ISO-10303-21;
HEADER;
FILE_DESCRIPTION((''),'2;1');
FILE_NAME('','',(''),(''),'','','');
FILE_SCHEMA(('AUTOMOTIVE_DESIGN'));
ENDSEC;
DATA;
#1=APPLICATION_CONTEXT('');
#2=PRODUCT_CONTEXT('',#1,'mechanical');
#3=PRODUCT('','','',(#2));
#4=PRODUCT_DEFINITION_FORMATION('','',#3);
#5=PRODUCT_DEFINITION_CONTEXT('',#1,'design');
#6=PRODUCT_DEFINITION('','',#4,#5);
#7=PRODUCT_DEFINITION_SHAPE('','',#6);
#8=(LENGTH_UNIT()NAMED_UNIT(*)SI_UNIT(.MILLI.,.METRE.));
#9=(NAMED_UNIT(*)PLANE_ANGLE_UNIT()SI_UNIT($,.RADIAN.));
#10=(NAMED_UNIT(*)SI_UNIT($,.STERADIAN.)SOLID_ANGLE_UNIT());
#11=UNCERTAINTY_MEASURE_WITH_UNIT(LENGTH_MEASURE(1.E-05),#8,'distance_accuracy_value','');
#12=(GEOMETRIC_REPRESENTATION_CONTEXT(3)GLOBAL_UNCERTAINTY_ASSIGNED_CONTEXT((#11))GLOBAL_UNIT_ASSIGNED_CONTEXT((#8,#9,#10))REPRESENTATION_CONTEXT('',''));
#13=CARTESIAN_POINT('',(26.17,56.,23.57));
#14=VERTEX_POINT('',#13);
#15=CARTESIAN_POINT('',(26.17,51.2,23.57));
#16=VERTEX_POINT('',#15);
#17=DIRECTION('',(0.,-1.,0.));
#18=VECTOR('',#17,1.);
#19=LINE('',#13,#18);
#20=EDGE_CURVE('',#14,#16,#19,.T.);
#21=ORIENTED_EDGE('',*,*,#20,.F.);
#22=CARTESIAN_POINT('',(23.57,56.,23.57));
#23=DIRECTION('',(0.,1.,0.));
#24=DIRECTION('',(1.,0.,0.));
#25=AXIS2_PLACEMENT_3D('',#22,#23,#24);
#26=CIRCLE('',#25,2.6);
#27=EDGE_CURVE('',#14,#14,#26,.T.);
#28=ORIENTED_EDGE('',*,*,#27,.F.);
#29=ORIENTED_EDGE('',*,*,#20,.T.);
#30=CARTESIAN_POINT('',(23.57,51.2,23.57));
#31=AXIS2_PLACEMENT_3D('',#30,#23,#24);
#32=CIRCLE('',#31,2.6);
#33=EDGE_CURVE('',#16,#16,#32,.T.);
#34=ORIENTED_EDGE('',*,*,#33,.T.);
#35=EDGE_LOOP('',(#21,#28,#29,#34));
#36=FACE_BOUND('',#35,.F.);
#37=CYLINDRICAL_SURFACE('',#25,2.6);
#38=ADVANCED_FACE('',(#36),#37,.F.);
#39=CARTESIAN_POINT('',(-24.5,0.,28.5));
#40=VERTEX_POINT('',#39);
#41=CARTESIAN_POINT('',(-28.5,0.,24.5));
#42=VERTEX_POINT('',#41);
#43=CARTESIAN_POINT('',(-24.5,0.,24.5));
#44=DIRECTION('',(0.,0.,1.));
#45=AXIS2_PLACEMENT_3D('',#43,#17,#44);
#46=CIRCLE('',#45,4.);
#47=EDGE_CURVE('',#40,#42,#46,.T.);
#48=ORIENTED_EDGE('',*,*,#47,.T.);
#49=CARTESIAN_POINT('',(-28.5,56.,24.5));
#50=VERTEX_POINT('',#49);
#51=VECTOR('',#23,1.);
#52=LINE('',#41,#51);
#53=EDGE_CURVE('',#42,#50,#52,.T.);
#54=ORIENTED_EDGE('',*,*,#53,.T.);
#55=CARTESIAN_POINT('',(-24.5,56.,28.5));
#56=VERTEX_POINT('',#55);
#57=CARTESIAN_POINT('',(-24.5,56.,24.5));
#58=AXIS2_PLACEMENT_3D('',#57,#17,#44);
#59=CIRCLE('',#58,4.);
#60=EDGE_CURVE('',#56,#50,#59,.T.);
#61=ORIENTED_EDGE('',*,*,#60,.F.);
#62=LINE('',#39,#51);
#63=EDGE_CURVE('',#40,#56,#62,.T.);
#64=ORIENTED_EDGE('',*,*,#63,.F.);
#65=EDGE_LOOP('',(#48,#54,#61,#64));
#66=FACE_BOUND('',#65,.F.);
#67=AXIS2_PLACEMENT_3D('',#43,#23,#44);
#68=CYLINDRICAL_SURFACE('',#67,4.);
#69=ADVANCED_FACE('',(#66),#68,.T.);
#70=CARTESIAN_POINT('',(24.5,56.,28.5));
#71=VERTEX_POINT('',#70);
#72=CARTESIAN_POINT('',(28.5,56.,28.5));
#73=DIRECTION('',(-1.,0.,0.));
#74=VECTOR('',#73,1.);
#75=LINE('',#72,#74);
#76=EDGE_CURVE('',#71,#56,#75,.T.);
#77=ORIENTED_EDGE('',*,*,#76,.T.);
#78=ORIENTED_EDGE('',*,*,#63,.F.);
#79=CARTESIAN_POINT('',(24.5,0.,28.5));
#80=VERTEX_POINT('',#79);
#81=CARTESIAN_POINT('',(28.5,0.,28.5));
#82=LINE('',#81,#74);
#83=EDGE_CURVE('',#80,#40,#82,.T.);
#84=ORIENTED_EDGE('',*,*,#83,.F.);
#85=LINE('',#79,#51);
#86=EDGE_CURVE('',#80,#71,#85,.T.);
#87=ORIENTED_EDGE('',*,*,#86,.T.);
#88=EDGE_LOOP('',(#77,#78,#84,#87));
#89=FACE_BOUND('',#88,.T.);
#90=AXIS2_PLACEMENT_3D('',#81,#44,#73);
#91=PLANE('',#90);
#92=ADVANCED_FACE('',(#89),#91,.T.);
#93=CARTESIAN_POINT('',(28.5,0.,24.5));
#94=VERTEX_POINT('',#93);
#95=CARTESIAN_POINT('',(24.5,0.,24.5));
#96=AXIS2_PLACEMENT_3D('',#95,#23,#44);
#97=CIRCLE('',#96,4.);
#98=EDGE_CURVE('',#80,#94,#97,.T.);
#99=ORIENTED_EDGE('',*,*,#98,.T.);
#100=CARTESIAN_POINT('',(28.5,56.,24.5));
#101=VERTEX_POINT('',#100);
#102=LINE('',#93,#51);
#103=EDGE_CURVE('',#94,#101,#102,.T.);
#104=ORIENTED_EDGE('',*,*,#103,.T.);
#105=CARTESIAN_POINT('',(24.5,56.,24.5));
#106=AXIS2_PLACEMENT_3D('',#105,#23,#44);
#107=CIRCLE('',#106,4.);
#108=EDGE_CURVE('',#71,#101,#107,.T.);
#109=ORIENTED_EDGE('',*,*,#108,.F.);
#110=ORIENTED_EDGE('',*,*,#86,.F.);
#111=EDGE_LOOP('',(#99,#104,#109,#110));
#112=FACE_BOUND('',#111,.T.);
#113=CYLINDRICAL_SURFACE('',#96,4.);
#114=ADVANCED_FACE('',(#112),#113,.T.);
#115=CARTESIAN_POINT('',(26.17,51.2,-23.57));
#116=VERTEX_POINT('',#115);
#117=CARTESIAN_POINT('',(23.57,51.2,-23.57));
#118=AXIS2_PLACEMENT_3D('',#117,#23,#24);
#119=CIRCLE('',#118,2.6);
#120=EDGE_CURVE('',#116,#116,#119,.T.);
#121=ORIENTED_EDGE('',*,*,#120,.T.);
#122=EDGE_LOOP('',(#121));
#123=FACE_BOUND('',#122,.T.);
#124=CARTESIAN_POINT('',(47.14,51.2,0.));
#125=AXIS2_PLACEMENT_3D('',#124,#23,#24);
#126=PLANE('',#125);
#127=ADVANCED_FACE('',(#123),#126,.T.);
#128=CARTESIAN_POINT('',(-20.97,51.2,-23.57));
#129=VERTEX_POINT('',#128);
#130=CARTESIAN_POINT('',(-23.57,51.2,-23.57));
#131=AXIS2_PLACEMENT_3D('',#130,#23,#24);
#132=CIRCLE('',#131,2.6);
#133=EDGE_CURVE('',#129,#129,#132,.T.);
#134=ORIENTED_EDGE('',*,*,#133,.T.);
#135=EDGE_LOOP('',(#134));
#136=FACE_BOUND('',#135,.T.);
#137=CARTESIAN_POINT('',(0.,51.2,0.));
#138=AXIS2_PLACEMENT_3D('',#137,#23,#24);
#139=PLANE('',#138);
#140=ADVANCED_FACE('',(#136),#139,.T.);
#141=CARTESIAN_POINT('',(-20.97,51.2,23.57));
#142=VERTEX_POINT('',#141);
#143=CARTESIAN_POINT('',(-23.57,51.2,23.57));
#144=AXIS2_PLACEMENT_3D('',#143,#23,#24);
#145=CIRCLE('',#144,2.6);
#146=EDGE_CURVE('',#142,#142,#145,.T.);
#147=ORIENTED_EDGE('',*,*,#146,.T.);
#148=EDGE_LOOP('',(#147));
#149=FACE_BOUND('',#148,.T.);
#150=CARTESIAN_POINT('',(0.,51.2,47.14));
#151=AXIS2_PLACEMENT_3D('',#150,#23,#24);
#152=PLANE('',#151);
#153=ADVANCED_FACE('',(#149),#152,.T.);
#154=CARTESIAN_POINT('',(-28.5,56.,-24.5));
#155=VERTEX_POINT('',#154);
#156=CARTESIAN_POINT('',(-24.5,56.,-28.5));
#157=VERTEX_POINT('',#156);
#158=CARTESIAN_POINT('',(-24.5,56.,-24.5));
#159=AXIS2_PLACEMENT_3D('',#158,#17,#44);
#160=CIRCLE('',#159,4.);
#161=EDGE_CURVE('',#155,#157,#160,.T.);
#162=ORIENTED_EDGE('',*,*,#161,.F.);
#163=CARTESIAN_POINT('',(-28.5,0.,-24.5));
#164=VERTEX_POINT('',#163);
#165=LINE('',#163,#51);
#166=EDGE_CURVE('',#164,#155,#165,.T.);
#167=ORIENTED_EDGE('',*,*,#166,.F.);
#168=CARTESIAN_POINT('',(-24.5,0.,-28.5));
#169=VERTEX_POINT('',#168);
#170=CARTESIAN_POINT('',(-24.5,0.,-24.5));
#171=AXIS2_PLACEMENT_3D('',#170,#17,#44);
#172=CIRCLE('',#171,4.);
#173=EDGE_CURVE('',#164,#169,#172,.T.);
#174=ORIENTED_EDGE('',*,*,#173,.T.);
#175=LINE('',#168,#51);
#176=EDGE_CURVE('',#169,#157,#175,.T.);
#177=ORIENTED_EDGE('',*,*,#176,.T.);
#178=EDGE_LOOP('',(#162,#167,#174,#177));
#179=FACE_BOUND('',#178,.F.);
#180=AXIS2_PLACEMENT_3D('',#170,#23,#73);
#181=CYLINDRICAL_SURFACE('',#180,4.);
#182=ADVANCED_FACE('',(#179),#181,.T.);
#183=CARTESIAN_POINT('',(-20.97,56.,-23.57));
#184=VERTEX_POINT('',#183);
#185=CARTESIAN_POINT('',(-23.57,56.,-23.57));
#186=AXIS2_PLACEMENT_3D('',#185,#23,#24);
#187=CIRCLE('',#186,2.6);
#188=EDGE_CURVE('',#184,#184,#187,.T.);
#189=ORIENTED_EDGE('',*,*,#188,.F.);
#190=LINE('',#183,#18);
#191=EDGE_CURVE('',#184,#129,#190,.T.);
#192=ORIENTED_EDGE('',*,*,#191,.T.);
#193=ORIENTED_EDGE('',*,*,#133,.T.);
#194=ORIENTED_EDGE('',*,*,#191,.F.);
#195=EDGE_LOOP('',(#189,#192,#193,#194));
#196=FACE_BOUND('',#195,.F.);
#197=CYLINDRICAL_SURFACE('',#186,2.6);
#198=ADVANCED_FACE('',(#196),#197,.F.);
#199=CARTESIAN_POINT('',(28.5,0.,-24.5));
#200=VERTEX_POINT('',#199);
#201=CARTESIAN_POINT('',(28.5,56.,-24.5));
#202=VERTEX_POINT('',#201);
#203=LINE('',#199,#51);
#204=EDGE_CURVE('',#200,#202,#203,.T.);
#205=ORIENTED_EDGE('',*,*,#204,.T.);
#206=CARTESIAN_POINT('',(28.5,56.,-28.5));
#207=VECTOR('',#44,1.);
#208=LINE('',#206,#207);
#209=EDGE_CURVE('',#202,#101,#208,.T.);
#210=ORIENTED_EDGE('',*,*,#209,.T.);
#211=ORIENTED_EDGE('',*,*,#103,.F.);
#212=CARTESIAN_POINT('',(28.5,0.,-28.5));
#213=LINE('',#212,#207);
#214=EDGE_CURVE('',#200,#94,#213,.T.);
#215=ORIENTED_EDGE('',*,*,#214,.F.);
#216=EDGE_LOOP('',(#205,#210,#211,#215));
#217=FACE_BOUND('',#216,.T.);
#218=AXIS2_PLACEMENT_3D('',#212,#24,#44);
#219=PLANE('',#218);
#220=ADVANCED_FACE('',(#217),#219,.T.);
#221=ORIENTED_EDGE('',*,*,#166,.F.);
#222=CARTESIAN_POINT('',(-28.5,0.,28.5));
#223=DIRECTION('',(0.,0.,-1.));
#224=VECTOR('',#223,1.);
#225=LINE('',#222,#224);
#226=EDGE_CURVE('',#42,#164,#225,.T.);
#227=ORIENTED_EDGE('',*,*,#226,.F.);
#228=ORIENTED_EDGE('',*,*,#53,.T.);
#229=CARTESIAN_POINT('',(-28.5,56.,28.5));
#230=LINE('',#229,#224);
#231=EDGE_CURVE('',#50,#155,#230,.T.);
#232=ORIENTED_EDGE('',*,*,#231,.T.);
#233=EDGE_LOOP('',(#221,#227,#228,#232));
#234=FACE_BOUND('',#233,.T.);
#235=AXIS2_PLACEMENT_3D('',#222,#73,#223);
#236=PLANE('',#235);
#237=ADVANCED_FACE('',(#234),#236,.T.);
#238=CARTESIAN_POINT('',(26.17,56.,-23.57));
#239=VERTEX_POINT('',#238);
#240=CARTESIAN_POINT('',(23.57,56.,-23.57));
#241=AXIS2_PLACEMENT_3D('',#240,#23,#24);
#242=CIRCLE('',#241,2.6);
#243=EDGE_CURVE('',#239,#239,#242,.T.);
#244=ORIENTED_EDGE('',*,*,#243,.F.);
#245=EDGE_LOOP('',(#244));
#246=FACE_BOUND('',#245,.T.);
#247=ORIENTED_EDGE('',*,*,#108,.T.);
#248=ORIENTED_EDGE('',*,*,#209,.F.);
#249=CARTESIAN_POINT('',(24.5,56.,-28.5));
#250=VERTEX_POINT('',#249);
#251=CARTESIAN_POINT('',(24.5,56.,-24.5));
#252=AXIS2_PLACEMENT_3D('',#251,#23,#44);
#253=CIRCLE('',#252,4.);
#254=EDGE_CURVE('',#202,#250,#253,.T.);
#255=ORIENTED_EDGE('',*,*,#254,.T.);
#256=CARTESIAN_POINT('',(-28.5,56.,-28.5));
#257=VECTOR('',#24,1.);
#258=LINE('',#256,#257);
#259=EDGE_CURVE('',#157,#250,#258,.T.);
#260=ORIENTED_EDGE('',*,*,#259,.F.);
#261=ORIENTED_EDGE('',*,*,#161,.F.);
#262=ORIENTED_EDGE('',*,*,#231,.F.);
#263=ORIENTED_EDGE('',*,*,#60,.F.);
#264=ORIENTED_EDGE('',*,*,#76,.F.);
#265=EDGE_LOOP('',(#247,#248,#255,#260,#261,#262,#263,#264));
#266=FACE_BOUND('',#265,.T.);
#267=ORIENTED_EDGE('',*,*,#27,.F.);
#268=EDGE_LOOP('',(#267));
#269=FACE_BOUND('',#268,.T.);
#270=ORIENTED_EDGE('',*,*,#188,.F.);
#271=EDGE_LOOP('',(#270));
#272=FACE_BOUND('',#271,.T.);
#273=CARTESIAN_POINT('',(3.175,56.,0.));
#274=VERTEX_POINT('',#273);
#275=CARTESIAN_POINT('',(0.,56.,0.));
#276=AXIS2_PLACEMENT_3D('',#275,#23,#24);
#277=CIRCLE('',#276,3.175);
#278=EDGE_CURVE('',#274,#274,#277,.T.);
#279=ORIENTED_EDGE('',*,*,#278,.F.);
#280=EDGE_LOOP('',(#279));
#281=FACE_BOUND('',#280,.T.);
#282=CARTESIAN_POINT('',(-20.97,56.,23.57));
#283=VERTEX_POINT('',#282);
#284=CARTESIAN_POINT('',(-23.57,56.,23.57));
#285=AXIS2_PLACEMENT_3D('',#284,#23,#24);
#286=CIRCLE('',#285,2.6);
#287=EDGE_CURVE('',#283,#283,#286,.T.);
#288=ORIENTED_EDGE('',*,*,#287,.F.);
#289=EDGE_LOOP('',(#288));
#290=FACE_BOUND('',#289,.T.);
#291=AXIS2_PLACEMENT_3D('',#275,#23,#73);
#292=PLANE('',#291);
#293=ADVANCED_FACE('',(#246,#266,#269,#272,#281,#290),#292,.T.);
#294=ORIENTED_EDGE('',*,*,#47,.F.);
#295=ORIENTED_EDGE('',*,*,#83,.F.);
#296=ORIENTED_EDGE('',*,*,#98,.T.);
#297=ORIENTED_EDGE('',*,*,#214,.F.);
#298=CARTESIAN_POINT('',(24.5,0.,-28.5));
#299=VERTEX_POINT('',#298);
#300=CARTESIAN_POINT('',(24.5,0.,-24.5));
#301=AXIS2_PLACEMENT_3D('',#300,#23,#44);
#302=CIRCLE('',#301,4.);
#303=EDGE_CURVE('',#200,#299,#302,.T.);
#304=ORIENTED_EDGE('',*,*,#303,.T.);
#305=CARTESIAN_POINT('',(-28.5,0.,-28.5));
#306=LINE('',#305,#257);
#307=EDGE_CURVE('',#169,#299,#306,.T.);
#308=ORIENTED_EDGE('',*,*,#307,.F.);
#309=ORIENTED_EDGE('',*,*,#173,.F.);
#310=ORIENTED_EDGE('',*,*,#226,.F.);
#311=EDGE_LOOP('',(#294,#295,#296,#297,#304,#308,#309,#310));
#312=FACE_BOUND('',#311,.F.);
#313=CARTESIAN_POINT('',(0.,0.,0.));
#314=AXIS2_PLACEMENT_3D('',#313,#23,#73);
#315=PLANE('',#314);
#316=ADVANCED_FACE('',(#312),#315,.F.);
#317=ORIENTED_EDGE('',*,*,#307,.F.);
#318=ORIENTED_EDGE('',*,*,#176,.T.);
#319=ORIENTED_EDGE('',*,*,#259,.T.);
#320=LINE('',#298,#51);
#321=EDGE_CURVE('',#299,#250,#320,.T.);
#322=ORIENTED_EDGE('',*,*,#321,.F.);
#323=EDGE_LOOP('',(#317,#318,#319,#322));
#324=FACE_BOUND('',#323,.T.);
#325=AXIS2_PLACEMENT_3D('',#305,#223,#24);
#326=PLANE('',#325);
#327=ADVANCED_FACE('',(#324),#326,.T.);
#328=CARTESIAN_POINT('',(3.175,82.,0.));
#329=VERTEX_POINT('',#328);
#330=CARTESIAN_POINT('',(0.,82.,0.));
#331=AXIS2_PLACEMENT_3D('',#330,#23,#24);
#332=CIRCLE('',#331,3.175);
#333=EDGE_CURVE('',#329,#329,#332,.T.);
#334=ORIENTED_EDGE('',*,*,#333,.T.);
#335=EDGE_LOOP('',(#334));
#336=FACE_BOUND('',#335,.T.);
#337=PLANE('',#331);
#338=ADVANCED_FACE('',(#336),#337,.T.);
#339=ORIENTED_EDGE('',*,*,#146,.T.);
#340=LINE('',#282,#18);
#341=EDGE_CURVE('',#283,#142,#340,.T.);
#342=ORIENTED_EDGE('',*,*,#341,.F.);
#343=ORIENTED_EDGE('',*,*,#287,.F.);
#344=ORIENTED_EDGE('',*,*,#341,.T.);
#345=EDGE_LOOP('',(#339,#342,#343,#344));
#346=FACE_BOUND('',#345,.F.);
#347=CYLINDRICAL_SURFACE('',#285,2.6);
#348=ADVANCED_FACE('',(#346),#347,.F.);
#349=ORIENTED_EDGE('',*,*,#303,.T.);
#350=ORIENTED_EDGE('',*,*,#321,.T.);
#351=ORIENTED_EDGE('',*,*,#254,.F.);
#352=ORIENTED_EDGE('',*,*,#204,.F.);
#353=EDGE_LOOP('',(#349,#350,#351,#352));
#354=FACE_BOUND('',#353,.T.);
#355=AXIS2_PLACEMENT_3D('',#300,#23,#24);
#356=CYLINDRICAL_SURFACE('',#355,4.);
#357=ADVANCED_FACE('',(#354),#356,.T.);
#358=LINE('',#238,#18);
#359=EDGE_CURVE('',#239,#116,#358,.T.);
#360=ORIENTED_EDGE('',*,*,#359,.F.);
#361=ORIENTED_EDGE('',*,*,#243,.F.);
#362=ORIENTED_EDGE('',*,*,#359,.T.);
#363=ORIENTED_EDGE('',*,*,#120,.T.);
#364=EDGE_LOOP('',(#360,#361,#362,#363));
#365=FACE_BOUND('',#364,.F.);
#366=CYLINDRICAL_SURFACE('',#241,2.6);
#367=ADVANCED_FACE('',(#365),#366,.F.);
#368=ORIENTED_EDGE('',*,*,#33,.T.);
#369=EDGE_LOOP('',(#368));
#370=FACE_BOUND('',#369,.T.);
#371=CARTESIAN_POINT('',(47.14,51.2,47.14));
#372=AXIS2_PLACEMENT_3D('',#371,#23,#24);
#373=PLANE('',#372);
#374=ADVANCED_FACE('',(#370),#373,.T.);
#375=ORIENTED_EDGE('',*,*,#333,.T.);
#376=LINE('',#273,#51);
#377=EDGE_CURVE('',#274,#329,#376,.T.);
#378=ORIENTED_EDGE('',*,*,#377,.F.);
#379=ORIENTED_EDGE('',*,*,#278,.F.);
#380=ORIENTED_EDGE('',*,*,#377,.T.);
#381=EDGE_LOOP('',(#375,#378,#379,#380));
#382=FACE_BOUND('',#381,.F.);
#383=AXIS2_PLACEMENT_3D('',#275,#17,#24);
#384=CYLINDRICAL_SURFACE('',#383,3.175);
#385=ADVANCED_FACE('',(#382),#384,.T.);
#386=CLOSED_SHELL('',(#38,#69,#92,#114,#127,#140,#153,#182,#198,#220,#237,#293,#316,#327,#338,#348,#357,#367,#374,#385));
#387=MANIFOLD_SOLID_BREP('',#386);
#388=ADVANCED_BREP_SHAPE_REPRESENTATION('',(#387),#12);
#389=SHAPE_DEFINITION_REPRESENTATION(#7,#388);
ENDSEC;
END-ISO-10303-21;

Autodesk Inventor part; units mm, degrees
ref_plane "YZ Plane" through (0, 0, 0) normal (1, 0, 0) x (0, 1, 0)
ref_plane "XZ Plane" through (0, 0, 0) normal (0, 1, 0) x (-1, 0, 0)
ref_plane "XY Plane" through (0, 0, 0) normal (0, 0, 1) x (1, 0, 0)
sketch "Sketch1" plane through (0, 0, 0) normal (0, 1, 0) x (-1, 0, 0)
  line L0 (-28.5, 28.5) -> (28.5, 28.5)
  line L1 (28.5, 28.5) -> (28.5, -28.5)
  line L2 (28.5, -28.5) -> (-28.5, -28.5)
  line L3 (-28.5, -28.5) -> (-28.5, 28.5)
  line L4 (-28.5, 28.5) -> (28.5, -28.5) construction
  line L5 (28.5, 28.5) -> (-28.5, -28.5) construction
  point P0 (0, 0)
  dimension "d0" = 57
  dimension "d1" = 57
extrude "Extrusion1" add sketch "Sketch1" along normal blind 56
sketch "Sketch2" plane through (0, 56, 0) normal (0, 1, 0) x (1, 0, 0)
  circle A0 centre (-23.57, 23.57) radius 2.6
  point P0 (0, 0)
  dimension "d6" = 5.2
  dimension "d19" = 23.57
  dimension "d20" = 23.57
extrude "Extrusion2" cut sketch "Sketch2" against normal blind 4.8
pattern_linear "Rectangular Pattern1" count 2 spacing 47.14 along (1, 0, 0) count 2 spacing 47.14 along (0, 0, 1) of "Extrusion2"
fillet "Fillet1" radius 4 4 edges at (28.5, 28, -28.5) (-28.5, 28, -28.5) (28.5, 28, 28.5) (-28.5, 28, 28.5)
sketch "Sketch3" plane through (0, 56, 0) normal (0, 1, 0) x (1, 0, 0)
  circle A0 centre (0, 0) radius 3.175
  dimension "d16" = 6.35
extrude "Extrusion3" add sketch "Sketch3" along normal blind 26
properties part number "Motor Nema23"
